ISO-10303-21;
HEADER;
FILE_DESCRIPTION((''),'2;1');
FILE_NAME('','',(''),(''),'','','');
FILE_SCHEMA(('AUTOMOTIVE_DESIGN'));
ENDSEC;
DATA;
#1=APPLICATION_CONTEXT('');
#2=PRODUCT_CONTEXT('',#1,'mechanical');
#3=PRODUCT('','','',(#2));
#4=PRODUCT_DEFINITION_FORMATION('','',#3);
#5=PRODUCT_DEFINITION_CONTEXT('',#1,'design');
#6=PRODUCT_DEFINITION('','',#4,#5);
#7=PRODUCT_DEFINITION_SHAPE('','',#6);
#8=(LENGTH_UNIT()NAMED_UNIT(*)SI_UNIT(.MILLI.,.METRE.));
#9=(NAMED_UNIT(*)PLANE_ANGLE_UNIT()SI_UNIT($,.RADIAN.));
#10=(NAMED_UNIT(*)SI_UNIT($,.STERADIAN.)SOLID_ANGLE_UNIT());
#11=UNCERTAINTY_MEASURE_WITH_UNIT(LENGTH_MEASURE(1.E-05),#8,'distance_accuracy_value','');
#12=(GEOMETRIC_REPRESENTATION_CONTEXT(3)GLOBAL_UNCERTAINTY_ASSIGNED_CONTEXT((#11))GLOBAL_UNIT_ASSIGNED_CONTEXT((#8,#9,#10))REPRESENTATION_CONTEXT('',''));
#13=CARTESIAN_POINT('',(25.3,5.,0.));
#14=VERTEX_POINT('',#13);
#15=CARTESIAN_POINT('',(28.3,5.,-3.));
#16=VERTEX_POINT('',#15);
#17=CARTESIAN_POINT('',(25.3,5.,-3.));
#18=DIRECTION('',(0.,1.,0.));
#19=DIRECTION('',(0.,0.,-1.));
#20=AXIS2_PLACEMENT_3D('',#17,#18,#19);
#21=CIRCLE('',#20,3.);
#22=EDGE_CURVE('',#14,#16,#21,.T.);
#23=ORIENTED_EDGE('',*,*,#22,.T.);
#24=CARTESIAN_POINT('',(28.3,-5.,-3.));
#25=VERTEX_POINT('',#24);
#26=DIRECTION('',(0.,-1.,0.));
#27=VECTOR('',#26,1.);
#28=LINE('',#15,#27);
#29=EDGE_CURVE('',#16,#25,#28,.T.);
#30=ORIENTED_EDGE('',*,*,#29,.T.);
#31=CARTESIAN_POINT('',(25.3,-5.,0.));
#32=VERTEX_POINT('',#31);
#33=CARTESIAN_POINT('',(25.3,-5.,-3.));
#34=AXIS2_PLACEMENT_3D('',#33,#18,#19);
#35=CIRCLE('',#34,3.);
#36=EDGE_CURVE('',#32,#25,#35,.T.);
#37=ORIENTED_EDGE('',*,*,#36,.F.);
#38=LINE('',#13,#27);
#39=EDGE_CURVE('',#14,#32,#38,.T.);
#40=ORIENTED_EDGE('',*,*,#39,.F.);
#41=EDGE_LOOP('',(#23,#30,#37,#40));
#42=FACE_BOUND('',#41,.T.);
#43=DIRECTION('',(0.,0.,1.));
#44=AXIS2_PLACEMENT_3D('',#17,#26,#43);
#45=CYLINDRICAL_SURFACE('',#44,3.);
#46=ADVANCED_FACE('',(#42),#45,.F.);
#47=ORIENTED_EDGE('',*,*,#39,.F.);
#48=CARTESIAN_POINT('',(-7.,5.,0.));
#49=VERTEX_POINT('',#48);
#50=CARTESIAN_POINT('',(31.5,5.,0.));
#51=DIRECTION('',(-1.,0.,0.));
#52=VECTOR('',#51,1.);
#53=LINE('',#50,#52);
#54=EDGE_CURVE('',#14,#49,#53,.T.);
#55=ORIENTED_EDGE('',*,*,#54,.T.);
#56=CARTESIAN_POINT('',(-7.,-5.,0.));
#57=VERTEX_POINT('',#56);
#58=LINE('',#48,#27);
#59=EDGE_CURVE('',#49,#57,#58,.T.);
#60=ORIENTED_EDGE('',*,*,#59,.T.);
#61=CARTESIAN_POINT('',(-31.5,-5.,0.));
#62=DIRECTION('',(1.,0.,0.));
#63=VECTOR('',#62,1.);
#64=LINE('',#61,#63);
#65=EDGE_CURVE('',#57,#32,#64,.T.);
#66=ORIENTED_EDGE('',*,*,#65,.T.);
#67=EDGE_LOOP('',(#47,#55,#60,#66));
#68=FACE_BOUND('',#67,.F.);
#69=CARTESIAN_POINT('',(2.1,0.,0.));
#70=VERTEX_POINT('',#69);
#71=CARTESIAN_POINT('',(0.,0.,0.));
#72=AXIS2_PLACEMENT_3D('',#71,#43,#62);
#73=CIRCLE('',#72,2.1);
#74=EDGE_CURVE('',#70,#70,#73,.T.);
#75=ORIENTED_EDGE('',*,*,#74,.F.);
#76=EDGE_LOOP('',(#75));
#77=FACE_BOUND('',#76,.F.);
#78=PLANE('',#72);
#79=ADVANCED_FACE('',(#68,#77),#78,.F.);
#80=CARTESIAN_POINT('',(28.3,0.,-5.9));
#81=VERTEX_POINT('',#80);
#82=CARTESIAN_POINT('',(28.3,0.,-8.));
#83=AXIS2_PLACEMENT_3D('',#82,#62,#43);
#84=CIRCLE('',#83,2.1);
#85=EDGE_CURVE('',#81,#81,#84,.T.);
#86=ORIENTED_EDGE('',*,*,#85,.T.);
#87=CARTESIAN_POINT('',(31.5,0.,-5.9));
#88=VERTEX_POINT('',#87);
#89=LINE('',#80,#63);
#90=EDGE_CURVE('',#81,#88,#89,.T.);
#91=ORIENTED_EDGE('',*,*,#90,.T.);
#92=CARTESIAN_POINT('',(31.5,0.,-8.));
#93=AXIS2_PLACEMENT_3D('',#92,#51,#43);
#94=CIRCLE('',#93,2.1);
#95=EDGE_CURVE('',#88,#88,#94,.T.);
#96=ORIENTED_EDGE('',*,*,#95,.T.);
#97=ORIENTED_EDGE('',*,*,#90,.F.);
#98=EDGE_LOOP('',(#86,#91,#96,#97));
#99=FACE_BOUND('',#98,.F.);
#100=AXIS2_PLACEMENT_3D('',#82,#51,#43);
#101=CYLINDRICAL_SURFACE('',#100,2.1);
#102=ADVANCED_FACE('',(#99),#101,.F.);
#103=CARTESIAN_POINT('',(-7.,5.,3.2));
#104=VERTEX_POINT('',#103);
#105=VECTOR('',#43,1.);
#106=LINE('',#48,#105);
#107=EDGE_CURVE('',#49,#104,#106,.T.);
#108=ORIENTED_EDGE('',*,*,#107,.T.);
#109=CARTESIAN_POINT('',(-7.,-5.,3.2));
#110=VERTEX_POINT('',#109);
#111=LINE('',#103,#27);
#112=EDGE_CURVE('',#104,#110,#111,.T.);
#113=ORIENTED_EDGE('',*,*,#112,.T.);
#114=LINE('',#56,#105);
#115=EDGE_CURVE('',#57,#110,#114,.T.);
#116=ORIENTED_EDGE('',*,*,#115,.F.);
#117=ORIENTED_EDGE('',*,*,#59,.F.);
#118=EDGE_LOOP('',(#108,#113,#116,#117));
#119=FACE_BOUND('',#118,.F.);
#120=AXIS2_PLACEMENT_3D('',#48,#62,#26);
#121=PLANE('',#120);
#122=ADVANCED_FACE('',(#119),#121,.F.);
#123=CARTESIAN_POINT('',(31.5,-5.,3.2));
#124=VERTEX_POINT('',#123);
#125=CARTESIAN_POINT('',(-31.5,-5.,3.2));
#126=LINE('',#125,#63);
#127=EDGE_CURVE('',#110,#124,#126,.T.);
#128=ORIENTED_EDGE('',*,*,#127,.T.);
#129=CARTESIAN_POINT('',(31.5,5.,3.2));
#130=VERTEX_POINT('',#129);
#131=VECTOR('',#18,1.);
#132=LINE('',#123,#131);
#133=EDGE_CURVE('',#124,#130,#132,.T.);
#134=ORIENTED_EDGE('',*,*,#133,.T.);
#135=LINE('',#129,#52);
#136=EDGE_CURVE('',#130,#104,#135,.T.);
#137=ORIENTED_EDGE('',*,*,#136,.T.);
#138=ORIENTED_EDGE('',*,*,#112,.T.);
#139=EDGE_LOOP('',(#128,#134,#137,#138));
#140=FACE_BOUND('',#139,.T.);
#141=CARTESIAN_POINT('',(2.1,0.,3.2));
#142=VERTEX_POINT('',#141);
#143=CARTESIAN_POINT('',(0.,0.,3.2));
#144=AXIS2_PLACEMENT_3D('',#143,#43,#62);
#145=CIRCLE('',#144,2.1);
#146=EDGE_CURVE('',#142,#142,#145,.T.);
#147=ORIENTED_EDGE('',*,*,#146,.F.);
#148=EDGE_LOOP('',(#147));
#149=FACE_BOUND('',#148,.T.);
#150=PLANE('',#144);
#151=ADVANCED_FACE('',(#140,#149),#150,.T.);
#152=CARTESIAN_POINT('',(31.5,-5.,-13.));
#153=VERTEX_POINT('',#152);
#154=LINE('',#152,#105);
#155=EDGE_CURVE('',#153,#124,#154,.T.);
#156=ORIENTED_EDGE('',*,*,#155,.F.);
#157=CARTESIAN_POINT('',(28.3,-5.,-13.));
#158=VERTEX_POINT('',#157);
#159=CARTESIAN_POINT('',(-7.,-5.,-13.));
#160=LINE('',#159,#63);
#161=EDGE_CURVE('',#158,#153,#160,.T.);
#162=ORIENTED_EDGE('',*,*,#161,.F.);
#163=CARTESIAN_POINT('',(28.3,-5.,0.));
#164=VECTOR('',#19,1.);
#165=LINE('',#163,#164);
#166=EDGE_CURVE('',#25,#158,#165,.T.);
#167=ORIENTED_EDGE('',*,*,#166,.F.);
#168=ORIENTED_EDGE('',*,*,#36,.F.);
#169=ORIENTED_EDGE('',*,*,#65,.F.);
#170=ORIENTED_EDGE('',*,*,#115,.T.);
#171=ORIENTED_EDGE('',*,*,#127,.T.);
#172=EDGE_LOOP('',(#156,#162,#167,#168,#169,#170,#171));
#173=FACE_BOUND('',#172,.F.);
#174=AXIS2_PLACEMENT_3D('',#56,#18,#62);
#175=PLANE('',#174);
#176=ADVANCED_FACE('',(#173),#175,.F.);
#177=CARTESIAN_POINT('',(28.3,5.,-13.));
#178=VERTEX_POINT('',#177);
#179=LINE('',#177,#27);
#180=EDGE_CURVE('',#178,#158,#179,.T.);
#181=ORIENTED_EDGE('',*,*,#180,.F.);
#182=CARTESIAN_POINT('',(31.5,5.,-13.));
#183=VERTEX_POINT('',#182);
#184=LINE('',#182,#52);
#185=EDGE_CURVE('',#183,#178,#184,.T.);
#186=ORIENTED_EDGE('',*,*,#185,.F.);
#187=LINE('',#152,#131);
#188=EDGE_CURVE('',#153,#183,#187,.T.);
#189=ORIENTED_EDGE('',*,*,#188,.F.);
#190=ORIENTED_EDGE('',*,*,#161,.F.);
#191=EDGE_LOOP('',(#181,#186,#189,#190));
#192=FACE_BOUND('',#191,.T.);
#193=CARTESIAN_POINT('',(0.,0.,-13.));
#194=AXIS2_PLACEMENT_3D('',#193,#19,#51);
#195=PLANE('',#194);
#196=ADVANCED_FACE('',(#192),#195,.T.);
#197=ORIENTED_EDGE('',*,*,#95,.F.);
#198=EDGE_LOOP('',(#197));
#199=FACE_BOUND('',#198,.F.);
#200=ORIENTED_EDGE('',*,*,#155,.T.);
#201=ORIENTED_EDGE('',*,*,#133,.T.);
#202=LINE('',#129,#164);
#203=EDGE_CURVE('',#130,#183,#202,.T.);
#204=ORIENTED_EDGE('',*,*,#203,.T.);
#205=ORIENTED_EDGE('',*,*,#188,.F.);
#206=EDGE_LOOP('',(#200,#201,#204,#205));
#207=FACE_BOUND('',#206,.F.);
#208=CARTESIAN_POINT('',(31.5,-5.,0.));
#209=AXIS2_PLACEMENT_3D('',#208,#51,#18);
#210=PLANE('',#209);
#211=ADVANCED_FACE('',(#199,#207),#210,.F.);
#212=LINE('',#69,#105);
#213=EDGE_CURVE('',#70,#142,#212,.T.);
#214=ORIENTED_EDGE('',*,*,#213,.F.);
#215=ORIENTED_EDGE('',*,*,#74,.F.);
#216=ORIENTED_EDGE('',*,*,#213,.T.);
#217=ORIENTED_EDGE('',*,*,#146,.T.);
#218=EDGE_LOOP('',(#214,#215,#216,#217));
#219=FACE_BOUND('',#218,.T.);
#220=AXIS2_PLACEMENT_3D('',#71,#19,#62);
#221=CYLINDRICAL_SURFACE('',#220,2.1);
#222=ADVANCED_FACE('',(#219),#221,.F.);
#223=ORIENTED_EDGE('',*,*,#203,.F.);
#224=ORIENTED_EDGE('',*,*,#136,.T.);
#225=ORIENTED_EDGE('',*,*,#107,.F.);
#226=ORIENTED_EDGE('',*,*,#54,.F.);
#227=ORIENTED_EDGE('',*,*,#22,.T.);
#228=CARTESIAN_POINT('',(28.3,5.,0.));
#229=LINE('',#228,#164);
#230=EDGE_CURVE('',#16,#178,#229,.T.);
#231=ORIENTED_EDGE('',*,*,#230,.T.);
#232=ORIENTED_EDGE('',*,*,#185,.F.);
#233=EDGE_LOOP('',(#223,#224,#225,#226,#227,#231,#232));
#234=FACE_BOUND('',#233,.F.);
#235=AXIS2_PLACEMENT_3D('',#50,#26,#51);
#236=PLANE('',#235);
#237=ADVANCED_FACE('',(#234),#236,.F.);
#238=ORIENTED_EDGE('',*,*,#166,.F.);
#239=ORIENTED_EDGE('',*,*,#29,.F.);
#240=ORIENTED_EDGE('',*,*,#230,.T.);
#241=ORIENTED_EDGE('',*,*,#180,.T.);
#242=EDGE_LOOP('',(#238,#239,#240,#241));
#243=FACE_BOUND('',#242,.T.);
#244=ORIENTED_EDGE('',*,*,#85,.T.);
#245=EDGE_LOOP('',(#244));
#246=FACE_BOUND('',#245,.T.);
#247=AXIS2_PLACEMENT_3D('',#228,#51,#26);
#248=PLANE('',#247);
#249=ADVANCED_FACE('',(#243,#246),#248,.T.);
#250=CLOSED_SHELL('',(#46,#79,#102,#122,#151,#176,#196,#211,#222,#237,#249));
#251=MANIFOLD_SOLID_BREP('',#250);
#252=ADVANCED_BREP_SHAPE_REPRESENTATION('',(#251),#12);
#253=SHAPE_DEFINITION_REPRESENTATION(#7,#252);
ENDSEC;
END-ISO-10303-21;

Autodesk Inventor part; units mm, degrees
ref_plane "YZ Plane" through (0, 0, 0) normal (1, 0, 0) x (0, 1, 0)
ref_plane "XZ Plane" through (0, 0, 0) normal (0, 1, 0) x (-1, 0, 0)
ref_plane "XY Plane" through (0, 0, 0) normal (0, 0, 1) x (1, 0, 0)
sketch "Эскиз1" plane through (0, 0, 0) normal (0, 0, 1) x (1, 0, 0)
  circle A0 centre (0, 0) radius 2.1
  line L0 (-31.5, -5) -> (31.5, -5)
  line L1 (31.5, -5) -> (31.5, 5)
  line L2 (31.5, 5) -> (-31.5, 5)
  line L3 (-31.5, 5) -> (-31.5, -5)
  line L4 (-31.5, -5) -> (31.5, 5) construction
  line L5 (31.5, -5) -> (-31.5, 5) construction
  line L6 (-7, 5) -> (-7, -5)
  dimension "d0" = 4.2
  dimension "d1" = 63
  dimension "d2" = 10
  dimension "d3" = 7
extrude "Выдавливание1" add sketch "Эскиз1" along normal blind 3.2 contours L6 L2 L1 L0
sketch "Эскиз2" plane through (0, 0, 0) normal (0, 0, -1) x (-1, 0, 0)
  line L0 (-31.5, 5) -> (7, 5) projected
  line L1 (7, -5) -> (-31.5, -5) projected
  line L2 (-31.5, 5) -> (-28.3, 5)
  line L3 (-28.3, 5) -> (-28.3, -5)
  line L4 (-28.3, -5) -> (-31.5, -5)
  line L5 (-31.5, -5) -> (-31.5, 5)
  point P0 (0, 0)
  point P1 (-28.3, 5)
  dimension "d6" = 3.2
extrude "Выдавливание2" add sketch "Эскиз2" along normal blind 13
fillet "Сопряжение1" radius 3 1 edges at (28.3, 0, 0)
sketch "Эскиз3" plane through (28.3, -5, -13) normal (-1, 0, 0) x (0, 0, 1)
  line L0 (0, 0) -> (0, 10) projected
  line L1 (0, 5) -> (10, 5)
  line L2 (10, 10) -> (10, 0) projected
  circle A0 centre (5, 5) radius 2.1
  point P0 (13, 5)
  dimension "d10" = 4.2
extrude "Выдавливание3" cut sketch "Эскиз3" against normal blind 13
properties part number "мертвое колесо крепл 2 25-26"
